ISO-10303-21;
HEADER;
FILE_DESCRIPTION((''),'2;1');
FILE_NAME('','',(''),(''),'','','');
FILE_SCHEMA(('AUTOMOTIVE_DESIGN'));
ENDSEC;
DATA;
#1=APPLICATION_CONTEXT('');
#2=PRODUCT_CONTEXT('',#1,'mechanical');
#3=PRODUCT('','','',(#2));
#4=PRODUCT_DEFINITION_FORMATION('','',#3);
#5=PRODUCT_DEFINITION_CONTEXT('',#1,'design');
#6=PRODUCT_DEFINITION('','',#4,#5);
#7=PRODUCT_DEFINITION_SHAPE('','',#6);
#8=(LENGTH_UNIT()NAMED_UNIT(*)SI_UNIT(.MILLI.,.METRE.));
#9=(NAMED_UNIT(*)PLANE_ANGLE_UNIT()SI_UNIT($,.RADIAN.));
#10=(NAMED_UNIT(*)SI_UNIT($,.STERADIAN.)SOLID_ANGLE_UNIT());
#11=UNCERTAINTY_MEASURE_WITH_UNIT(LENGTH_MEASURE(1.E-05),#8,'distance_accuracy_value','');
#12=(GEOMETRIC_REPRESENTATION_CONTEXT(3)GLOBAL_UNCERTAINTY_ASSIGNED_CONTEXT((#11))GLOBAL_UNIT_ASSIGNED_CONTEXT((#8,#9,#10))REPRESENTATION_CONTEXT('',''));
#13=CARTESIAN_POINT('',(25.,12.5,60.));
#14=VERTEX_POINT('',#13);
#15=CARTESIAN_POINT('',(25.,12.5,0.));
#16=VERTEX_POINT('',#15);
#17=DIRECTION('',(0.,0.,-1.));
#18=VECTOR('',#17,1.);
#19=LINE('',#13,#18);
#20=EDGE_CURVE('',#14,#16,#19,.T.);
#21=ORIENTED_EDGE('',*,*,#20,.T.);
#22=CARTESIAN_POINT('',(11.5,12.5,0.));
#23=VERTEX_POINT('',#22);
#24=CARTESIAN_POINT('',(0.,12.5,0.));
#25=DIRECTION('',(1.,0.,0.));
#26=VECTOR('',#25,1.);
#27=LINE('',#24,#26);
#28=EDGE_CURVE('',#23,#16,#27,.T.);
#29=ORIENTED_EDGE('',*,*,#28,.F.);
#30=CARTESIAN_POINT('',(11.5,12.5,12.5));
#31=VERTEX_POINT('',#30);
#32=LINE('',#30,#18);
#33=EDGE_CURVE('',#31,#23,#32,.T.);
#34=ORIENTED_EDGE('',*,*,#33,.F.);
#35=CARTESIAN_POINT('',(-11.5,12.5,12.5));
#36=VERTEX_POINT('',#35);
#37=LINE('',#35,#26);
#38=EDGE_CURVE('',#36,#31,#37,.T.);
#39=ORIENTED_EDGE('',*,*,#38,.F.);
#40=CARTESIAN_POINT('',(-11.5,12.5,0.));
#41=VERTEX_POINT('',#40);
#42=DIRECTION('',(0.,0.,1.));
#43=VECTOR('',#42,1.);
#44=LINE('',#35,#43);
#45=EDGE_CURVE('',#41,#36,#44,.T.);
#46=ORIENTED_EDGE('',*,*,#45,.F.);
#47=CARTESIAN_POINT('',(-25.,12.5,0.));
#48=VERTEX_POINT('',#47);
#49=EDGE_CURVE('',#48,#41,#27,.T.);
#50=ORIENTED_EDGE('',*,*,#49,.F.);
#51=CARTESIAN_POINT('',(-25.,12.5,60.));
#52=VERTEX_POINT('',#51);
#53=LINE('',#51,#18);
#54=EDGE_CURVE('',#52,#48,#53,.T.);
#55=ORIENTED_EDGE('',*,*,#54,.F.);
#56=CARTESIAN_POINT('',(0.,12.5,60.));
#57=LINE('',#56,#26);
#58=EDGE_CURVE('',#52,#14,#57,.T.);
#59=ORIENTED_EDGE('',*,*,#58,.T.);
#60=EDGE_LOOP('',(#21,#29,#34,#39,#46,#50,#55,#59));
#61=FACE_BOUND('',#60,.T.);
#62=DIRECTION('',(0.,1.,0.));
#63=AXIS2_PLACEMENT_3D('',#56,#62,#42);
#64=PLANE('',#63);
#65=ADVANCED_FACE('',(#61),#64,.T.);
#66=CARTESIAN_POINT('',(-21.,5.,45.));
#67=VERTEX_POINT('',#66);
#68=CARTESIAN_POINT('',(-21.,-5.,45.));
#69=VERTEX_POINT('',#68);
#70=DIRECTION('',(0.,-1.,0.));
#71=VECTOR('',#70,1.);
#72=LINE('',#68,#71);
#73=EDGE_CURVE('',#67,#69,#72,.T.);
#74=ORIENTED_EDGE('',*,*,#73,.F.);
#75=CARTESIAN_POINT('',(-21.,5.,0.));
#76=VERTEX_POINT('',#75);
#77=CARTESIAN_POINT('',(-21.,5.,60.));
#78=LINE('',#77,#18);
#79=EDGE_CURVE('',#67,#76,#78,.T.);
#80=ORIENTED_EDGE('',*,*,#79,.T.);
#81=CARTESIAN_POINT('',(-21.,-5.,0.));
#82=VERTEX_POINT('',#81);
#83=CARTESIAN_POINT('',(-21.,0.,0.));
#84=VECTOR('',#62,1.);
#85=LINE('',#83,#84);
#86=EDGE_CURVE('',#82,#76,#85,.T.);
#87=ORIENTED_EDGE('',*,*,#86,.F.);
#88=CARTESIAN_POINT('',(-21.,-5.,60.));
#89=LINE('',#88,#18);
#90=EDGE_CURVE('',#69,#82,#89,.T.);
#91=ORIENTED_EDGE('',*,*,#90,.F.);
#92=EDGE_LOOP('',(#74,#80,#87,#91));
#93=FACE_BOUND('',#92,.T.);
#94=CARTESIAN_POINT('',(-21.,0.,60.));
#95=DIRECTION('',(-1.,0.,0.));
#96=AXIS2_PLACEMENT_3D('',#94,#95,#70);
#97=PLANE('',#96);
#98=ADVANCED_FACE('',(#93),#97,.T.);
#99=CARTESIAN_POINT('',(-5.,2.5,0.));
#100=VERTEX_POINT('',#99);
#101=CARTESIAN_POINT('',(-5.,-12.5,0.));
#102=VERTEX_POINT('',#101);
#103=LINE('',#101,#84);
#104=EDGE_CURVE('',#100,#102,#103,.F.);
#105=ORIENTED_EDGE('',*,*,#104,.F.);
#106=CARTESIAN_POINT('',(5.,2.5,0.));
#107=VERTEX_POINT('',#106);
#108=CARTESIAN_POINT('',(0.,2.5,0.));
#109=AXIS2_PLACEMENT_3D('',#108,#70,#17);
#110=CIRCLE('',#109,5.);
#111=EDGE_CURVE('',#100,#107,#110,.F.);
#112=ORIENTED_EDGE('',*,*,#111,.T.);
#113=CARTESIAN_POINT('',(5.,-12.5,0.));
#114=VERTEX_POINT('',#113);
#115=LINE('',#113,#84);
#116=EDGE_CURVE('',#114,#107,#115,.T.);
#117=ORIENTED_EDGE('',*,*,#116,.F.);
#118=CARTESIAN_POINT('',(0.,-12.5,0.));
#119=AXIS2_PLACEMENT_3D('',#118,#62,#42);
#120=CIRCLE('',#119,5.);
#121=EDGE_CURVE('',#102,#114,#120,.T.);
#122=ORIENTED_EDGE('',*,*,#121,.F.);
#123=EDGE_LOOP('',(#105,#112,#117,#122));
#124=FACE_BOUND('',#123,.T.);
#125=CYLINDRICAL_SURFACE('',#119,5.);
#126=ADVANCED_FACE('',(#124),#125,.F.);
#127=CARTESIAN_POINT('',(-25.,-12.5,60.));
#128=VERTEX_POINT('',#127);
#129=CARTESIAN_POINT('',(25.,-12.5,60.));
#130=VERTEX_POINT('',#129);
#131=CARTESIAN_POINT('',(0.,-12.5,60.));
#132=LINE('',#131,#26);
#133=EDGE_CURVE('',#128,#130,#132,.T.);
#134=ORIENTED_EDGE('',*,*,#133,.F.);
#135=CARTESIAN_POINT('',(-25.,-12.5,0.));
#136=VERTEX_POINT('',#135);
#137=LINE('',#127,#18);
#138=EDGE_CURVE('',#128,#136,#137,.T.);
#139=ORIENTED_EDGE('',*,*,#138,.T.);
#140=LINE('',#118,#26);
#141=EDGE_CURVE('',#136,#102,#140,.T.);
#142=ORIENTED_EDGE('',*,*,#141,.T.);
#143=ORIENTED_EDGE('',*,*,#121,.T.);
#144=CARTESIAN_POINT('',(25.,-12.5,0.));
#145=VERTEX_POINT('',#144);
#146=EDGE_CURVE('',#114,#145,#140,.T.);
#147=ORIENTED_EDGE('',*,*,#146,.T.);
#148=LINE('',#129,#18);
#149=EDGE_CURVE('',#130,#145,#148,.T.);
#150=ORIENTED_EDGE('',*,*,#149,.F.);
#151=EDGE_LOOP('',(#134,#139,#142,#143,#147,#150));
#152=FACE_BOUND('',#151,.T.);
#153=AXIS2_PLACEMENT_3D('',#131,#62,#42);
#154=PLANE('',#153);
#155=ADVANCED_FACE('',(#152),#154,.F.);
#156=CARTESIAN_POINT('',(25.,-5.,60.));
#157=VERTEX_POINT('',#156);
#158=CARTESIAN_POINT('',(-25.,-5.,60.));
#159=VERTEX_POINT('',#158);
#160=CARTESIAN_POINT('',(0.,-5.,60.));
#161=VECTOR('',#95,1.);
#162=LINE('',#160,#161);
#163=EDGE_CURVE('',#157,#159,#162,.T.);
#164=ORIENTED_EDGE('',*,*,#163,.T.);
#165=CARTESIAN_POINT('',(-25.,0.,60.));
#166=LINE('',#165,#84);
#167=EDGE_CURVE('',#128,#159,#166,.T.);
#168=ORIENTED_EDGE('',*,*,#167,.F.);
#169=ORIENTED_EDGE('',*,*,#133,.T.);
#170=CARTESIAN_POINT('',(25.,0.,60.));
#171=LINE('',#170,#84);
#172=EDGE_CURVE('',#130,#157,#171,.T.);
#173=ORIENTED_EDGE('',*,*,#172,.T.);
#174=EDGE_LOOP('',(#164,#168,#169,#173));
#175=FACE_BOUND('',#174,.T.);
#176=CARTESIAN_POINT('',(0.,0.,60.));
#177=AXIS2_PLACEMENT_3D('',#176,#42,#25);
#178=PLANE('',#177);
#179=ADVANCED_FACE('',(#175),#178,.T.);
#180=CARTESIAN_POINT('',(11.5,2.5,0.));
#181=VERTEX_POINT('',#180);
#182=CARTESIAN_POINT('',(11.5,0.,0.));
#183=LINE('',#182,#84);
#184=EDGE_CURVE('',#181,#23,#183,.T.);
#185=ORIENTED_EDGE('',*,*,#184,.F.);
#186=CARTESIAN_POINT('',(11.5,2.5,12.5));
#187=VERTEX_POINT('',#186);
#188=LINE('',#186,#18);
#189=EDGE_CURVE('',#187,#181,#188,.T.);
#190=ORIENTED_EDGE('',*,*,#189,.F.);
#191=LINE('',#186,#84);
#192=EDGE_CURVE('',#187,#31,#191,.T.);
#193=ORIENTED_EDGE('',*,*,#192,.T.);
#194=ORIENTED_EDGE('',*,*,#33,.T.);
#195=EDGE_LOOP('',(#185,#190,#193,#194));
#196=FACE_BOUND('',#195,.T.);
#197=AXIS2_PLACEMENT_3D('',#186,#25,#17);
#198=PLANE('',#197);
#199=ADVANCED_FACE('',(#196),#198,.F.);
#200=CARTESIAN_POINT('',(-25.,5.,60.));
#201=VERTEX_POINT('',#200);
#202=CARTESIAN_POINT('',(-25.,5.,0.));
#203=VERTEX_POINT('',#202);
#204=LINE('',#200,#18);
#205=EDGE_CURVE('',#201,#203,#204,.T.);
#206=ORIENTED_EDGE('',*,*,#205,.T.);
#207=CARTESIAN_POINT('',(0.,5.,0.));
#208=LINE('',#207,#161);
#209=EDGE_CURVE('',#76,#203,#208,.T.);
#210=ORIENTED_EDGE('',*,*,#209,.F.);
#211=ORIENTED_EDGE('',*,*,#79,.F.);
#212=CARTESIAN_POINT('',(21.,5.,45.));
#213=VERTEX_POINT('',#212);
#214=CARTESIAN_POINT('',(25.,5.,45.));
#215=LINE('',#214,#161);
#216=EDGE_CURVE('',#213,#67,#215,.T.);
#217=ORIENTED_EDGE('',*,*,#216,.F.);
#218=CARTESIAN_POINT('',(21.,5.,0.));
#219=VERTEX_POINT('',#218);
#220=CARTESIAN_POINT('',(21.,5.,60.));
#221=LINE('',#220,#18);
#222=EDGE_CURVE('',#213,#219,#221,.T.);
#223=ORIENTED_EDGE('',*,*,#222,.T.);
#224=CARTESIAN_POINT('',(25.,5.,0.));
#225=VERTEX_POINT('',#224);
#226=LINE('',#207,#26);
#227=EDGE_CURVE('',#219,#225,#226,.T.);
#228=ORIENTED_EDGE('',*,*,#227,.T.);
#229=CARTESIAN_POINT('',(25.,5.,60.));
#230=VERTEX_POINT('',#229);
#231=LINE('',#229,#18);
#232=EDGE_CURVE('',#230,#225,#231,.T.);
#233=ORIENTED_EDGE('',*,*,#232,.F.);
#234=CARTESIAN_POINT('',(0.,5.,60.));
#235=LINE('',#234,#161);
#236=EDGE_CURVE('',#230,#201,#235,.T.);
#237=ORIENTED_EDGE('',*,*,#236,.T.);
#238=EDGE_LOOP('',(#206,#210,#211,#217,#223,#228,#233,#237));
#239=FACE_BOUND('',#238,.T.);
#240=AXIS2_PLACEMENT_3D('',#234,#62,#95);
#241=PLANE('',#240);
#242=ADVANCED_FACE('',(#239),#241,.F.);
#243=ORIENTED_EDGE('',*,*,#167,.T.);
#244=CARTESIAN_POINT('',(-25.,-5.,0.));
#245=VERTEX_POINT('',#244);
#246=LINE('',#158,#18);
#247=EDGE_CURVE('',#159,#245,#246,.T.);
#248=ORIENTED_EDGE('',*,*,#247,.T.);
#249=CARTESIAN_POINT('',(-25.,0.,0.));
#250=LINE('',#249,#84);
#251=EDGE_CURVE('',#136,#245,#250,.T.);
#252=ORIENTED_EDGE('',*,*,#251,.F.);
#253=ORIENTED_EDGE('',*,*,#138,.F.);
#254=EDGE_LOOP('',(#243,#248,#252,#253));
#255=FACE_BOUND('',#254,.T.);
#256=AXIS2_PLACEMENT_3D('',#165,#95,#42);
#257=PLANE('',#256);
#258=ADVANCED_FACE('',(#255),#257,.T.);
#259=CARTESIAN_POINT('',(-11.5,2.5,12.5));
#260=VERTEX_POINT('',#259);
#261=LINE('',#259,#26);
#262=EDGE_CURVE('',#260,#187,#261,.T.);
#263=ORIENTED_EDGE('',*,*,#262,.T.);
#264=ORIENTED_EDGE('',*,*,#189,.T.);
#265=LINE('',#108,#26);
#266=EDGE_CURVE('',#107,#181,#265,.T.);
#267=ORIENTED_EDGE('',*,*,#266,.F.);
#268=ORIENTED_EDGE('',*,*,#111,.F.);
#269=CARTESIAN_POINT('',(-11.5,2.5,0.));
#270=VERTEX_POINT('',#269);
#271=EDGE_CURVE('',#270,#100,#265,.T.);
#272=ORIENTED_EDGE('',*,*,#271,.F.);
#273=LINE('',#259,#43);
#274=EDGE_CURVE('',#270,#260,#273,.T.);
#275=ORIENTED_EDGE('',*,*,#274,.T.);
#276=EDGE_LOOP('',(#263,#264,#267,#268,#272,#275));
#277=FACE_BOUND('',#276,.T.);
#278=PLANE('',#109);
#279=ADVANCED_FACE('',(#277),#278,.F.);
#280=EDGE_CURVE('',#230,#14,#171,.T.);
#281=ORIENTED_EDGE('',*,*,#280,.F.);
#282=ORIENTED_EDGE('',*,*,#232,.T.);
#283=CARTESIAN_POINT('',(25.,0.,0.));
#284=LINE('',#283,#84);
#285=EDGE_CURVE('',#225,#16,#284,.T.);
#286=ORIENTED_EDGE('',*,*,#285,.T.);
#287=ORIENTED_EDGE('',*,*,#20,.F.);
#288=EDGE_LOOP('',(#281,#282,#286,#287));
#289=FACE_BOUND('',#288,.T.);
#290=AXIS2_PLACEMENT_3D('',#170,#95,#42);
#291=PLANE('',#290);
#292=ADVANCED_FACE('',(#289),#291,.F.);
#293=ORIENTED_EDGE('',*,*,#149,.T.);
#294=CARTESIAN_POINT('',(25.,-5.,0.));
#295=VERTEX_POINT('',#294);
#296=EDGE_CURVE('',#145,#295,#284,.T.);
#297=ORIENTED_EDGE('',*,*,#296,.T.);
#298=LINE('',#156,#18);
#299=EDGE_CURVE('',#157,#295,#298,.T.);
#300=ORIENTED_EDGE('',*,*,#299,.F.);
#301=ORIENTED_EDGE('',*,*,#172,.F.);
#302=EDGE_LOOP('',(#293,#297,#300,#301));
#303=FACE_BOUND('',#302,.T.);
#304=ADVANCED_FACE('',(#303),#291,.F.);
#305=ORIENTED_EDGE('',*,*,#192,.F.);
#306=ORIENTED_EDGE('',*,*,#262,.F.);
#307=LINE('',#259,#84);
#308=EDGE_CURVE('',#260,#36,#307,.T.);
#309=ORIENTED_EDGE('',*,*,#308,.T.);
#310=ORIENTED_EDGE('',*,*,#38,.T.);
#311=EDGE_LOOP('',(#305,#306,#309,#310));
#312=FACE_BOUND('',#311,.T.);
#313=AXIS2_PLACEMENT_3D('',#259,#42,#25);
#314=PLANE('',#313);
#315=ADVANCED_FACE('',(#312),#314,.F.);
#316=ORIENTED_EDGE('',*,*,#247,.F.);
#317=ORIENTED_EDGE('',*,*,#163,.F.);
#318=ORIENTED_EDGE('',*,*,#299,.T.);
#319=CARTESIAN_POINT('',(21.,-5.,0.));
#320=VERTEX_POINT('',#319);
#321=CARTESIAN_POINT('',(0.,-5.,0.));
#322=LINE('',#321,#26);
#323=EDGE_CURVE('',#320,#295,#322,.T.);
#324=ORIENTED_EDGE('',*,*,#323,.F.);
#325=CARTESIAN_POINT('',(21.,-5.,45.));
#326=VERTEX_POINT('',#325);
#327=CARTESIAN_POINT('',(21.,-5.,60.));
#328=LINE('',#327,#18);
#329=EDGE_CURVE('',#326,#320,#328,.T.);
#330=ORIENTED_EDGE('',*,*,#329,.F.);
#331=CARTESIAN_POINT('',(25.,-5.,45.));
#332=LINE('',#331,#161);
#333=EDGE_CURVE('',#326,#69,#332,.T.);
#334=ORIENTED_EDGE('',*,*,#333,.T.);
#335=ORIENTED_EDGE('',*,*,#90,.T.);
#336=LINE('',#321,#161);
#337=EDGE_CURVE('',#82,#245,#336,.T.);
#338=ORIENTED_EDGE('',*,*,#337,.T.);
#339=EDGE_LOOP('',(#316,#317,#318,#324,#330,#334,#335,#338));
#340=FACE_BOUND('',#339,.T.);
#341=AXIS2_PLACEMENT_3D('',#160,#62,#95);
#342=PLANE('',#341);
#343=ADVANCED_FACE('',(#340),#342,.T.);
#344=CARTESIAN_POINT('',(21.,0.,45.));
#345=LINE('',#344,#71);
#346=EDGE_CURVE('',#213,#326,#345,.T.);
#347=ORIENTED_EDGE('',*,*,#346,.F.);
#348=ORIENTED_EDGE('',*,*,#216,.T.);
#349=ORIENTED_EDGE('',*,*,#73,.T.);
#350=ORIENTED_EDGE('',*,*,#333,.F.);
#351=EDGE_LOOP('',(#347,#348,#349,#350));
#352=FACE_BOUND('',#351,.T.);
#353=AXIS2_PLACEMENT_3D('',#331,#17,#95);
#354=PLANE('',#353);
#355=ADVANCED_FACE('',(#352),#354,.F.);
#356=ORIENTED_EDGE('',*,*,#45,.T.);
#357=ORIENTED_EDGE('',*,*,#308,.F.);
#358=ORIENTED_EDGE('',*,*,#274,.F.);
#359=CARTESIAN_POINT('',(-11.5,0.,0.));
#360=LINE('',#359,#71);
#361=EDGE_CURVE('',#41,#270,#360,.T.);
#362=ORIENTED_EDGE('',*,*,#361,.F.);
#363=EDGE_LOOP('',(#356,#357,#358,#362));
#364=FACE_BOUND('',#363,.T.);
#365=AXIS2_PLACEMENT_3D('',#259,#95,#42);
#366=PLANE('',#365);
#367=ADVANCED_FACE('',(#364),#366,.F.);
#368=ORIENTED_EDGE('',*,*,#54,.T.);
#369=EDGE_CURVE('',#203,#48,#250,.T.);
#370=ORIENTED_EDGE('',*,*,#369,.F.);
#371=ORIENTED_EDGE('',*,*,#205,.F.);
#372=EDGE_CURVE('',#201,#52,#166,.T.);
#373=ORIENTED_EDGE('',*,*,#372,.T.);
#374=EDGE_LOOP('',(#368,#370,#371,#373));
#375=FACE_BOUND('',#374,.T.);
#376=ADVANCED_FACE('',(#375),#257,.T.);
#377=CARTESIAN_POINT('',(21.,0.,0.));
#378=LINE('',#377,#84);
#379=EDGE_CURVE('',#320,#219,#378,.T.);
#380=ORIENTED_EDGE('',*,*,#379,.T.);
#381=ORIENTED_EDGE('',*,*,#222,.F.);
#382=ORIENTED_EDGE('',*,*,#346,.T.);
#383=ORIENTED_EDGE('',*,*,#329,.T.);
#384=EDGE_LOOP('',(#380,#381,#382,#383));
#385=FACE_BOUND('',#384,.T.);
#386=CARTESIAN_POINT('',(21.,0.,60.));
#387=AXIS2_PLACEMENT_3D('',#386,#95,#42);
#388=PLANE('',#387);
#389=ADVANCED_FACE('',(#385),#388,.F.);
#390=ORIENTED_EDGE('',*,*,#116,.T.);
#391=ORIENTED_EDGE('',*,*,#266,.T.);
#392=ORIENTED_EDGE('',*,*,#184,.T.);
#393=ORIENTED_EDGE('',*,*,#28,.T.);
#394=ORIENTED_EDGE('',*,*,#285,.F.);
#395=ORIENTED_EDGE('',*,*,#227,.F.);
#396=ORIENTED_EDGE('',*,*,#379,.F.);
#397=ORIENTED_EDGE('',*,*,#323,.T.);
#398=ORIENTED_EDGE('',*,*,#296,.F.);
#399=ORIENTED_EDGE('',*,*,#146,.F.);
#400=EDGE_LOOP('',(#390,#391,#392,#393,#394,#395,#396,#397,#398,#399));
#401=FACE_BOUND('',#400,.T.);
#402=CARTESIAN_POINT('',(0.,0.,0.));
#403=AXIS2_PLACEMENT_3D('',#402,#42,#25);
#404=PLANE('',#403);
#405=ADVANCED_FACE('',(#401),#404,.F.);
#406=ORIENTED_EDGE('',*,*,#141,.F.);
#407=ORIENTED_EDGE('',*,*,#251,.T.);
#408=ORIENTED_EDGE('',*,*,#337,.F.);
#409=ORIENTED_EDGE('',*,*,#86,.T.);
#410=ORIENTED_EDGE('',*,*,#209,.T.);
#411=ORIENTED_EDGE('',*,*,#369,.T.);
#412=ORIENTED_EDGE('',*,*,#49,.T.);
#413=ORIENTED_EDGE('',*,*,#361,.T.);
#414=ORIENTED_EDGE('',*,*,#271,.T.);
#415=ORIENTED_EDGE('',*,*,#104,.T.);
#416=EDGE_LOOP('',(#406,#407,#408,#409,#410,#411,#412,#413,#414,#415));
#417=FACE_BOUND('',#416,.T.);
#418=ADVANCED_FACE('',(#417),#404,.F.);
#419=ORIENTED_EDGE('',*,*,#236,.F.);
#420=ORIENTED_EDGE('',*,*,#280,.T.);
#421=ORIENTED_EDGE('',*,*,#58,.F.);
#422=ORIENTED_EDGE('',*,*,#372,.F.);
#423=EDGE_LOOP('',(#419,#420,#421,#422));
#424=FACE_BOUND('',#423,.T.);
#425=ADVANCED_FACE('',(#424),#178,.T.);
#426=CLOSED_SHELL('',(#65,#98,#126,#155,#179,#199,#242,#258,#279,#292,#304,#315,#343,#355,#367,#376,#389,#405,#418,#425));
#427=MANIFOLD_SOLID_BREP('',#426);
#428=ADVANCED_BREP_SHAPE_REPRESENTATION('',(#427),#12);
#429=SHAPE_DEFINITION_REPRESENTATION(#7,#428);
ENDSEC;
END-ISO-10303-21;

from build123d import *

# Parameters (mm, degrees)
EXTRUDE_1_DEPTH     = 60
SKETCH_2_W          = 15
SKETCH_2_H          = 10
CUT_EXTRUDE_1_DEPTH = 77.630607462
SKETCH_4_R          = 5
CUT_EXTRUDE_2_DEPTH = 70.641941386
SKETCH_5_W          = 23
SKETCH_5_H          = 25
CUT_EXTRUDE_3_DEPTH = 10


with BuildPart() as part:
    # Эскиз1 → Бобышка-Вытянуть1 (new body)
    with BuildSketch(Plane.XY):
        Polygon((-25, -5), (-25, -12.5), (25, -12.5), (25, -5), (21, -5), (21, 5), (25, 5), (25, 12.5), (-25, 12.5), (-25, 5), (-21, 5), (-21, -5), align=None)
    extrude(amount=EXTRUDE_1_DEPTH)

    # Эскиз2 → Вырез-Вытянуть1 (cut, through all)
    with BuildSketch(Plane.ZY.offset(21)):
        with Locations((52.5, 0)):
            Rectangle(SKETCH_2_W, SKETCH_2_H)
    extrude(amount=-CUT_EXTRUDE_1_DEPTH, mode=Mode.SUBTRACT)

    # Эскиз4 → Вырез-Вытянуть2 (cut, through all)
    with BuildSketch(Plane(origin=(0, 12.5, 0), x_dir=(1, 0, 0), z_dir=(0, 1, 0))):
        Circle(SKETCH_4_R)
    extrude(amount=-CUT_EXTRUDE_2_DEPTH, mode=Mode.SUBTRACT)

    # Эскиз5 → Вырез-Вытянуть3 (cut)
    with BuildSketch(Plane(origin=(0, 12.5, 0), x_dir=(1, 0, 0), z_dir=(0, 1, 0))):
        Rectangle(SKETCH_5_W, SKETCH_5_H)
    extrude(amount=-CUT_EXTRUDE_3_DEPTH, mode=Mode.SUBTRACT)


solid = part.part
